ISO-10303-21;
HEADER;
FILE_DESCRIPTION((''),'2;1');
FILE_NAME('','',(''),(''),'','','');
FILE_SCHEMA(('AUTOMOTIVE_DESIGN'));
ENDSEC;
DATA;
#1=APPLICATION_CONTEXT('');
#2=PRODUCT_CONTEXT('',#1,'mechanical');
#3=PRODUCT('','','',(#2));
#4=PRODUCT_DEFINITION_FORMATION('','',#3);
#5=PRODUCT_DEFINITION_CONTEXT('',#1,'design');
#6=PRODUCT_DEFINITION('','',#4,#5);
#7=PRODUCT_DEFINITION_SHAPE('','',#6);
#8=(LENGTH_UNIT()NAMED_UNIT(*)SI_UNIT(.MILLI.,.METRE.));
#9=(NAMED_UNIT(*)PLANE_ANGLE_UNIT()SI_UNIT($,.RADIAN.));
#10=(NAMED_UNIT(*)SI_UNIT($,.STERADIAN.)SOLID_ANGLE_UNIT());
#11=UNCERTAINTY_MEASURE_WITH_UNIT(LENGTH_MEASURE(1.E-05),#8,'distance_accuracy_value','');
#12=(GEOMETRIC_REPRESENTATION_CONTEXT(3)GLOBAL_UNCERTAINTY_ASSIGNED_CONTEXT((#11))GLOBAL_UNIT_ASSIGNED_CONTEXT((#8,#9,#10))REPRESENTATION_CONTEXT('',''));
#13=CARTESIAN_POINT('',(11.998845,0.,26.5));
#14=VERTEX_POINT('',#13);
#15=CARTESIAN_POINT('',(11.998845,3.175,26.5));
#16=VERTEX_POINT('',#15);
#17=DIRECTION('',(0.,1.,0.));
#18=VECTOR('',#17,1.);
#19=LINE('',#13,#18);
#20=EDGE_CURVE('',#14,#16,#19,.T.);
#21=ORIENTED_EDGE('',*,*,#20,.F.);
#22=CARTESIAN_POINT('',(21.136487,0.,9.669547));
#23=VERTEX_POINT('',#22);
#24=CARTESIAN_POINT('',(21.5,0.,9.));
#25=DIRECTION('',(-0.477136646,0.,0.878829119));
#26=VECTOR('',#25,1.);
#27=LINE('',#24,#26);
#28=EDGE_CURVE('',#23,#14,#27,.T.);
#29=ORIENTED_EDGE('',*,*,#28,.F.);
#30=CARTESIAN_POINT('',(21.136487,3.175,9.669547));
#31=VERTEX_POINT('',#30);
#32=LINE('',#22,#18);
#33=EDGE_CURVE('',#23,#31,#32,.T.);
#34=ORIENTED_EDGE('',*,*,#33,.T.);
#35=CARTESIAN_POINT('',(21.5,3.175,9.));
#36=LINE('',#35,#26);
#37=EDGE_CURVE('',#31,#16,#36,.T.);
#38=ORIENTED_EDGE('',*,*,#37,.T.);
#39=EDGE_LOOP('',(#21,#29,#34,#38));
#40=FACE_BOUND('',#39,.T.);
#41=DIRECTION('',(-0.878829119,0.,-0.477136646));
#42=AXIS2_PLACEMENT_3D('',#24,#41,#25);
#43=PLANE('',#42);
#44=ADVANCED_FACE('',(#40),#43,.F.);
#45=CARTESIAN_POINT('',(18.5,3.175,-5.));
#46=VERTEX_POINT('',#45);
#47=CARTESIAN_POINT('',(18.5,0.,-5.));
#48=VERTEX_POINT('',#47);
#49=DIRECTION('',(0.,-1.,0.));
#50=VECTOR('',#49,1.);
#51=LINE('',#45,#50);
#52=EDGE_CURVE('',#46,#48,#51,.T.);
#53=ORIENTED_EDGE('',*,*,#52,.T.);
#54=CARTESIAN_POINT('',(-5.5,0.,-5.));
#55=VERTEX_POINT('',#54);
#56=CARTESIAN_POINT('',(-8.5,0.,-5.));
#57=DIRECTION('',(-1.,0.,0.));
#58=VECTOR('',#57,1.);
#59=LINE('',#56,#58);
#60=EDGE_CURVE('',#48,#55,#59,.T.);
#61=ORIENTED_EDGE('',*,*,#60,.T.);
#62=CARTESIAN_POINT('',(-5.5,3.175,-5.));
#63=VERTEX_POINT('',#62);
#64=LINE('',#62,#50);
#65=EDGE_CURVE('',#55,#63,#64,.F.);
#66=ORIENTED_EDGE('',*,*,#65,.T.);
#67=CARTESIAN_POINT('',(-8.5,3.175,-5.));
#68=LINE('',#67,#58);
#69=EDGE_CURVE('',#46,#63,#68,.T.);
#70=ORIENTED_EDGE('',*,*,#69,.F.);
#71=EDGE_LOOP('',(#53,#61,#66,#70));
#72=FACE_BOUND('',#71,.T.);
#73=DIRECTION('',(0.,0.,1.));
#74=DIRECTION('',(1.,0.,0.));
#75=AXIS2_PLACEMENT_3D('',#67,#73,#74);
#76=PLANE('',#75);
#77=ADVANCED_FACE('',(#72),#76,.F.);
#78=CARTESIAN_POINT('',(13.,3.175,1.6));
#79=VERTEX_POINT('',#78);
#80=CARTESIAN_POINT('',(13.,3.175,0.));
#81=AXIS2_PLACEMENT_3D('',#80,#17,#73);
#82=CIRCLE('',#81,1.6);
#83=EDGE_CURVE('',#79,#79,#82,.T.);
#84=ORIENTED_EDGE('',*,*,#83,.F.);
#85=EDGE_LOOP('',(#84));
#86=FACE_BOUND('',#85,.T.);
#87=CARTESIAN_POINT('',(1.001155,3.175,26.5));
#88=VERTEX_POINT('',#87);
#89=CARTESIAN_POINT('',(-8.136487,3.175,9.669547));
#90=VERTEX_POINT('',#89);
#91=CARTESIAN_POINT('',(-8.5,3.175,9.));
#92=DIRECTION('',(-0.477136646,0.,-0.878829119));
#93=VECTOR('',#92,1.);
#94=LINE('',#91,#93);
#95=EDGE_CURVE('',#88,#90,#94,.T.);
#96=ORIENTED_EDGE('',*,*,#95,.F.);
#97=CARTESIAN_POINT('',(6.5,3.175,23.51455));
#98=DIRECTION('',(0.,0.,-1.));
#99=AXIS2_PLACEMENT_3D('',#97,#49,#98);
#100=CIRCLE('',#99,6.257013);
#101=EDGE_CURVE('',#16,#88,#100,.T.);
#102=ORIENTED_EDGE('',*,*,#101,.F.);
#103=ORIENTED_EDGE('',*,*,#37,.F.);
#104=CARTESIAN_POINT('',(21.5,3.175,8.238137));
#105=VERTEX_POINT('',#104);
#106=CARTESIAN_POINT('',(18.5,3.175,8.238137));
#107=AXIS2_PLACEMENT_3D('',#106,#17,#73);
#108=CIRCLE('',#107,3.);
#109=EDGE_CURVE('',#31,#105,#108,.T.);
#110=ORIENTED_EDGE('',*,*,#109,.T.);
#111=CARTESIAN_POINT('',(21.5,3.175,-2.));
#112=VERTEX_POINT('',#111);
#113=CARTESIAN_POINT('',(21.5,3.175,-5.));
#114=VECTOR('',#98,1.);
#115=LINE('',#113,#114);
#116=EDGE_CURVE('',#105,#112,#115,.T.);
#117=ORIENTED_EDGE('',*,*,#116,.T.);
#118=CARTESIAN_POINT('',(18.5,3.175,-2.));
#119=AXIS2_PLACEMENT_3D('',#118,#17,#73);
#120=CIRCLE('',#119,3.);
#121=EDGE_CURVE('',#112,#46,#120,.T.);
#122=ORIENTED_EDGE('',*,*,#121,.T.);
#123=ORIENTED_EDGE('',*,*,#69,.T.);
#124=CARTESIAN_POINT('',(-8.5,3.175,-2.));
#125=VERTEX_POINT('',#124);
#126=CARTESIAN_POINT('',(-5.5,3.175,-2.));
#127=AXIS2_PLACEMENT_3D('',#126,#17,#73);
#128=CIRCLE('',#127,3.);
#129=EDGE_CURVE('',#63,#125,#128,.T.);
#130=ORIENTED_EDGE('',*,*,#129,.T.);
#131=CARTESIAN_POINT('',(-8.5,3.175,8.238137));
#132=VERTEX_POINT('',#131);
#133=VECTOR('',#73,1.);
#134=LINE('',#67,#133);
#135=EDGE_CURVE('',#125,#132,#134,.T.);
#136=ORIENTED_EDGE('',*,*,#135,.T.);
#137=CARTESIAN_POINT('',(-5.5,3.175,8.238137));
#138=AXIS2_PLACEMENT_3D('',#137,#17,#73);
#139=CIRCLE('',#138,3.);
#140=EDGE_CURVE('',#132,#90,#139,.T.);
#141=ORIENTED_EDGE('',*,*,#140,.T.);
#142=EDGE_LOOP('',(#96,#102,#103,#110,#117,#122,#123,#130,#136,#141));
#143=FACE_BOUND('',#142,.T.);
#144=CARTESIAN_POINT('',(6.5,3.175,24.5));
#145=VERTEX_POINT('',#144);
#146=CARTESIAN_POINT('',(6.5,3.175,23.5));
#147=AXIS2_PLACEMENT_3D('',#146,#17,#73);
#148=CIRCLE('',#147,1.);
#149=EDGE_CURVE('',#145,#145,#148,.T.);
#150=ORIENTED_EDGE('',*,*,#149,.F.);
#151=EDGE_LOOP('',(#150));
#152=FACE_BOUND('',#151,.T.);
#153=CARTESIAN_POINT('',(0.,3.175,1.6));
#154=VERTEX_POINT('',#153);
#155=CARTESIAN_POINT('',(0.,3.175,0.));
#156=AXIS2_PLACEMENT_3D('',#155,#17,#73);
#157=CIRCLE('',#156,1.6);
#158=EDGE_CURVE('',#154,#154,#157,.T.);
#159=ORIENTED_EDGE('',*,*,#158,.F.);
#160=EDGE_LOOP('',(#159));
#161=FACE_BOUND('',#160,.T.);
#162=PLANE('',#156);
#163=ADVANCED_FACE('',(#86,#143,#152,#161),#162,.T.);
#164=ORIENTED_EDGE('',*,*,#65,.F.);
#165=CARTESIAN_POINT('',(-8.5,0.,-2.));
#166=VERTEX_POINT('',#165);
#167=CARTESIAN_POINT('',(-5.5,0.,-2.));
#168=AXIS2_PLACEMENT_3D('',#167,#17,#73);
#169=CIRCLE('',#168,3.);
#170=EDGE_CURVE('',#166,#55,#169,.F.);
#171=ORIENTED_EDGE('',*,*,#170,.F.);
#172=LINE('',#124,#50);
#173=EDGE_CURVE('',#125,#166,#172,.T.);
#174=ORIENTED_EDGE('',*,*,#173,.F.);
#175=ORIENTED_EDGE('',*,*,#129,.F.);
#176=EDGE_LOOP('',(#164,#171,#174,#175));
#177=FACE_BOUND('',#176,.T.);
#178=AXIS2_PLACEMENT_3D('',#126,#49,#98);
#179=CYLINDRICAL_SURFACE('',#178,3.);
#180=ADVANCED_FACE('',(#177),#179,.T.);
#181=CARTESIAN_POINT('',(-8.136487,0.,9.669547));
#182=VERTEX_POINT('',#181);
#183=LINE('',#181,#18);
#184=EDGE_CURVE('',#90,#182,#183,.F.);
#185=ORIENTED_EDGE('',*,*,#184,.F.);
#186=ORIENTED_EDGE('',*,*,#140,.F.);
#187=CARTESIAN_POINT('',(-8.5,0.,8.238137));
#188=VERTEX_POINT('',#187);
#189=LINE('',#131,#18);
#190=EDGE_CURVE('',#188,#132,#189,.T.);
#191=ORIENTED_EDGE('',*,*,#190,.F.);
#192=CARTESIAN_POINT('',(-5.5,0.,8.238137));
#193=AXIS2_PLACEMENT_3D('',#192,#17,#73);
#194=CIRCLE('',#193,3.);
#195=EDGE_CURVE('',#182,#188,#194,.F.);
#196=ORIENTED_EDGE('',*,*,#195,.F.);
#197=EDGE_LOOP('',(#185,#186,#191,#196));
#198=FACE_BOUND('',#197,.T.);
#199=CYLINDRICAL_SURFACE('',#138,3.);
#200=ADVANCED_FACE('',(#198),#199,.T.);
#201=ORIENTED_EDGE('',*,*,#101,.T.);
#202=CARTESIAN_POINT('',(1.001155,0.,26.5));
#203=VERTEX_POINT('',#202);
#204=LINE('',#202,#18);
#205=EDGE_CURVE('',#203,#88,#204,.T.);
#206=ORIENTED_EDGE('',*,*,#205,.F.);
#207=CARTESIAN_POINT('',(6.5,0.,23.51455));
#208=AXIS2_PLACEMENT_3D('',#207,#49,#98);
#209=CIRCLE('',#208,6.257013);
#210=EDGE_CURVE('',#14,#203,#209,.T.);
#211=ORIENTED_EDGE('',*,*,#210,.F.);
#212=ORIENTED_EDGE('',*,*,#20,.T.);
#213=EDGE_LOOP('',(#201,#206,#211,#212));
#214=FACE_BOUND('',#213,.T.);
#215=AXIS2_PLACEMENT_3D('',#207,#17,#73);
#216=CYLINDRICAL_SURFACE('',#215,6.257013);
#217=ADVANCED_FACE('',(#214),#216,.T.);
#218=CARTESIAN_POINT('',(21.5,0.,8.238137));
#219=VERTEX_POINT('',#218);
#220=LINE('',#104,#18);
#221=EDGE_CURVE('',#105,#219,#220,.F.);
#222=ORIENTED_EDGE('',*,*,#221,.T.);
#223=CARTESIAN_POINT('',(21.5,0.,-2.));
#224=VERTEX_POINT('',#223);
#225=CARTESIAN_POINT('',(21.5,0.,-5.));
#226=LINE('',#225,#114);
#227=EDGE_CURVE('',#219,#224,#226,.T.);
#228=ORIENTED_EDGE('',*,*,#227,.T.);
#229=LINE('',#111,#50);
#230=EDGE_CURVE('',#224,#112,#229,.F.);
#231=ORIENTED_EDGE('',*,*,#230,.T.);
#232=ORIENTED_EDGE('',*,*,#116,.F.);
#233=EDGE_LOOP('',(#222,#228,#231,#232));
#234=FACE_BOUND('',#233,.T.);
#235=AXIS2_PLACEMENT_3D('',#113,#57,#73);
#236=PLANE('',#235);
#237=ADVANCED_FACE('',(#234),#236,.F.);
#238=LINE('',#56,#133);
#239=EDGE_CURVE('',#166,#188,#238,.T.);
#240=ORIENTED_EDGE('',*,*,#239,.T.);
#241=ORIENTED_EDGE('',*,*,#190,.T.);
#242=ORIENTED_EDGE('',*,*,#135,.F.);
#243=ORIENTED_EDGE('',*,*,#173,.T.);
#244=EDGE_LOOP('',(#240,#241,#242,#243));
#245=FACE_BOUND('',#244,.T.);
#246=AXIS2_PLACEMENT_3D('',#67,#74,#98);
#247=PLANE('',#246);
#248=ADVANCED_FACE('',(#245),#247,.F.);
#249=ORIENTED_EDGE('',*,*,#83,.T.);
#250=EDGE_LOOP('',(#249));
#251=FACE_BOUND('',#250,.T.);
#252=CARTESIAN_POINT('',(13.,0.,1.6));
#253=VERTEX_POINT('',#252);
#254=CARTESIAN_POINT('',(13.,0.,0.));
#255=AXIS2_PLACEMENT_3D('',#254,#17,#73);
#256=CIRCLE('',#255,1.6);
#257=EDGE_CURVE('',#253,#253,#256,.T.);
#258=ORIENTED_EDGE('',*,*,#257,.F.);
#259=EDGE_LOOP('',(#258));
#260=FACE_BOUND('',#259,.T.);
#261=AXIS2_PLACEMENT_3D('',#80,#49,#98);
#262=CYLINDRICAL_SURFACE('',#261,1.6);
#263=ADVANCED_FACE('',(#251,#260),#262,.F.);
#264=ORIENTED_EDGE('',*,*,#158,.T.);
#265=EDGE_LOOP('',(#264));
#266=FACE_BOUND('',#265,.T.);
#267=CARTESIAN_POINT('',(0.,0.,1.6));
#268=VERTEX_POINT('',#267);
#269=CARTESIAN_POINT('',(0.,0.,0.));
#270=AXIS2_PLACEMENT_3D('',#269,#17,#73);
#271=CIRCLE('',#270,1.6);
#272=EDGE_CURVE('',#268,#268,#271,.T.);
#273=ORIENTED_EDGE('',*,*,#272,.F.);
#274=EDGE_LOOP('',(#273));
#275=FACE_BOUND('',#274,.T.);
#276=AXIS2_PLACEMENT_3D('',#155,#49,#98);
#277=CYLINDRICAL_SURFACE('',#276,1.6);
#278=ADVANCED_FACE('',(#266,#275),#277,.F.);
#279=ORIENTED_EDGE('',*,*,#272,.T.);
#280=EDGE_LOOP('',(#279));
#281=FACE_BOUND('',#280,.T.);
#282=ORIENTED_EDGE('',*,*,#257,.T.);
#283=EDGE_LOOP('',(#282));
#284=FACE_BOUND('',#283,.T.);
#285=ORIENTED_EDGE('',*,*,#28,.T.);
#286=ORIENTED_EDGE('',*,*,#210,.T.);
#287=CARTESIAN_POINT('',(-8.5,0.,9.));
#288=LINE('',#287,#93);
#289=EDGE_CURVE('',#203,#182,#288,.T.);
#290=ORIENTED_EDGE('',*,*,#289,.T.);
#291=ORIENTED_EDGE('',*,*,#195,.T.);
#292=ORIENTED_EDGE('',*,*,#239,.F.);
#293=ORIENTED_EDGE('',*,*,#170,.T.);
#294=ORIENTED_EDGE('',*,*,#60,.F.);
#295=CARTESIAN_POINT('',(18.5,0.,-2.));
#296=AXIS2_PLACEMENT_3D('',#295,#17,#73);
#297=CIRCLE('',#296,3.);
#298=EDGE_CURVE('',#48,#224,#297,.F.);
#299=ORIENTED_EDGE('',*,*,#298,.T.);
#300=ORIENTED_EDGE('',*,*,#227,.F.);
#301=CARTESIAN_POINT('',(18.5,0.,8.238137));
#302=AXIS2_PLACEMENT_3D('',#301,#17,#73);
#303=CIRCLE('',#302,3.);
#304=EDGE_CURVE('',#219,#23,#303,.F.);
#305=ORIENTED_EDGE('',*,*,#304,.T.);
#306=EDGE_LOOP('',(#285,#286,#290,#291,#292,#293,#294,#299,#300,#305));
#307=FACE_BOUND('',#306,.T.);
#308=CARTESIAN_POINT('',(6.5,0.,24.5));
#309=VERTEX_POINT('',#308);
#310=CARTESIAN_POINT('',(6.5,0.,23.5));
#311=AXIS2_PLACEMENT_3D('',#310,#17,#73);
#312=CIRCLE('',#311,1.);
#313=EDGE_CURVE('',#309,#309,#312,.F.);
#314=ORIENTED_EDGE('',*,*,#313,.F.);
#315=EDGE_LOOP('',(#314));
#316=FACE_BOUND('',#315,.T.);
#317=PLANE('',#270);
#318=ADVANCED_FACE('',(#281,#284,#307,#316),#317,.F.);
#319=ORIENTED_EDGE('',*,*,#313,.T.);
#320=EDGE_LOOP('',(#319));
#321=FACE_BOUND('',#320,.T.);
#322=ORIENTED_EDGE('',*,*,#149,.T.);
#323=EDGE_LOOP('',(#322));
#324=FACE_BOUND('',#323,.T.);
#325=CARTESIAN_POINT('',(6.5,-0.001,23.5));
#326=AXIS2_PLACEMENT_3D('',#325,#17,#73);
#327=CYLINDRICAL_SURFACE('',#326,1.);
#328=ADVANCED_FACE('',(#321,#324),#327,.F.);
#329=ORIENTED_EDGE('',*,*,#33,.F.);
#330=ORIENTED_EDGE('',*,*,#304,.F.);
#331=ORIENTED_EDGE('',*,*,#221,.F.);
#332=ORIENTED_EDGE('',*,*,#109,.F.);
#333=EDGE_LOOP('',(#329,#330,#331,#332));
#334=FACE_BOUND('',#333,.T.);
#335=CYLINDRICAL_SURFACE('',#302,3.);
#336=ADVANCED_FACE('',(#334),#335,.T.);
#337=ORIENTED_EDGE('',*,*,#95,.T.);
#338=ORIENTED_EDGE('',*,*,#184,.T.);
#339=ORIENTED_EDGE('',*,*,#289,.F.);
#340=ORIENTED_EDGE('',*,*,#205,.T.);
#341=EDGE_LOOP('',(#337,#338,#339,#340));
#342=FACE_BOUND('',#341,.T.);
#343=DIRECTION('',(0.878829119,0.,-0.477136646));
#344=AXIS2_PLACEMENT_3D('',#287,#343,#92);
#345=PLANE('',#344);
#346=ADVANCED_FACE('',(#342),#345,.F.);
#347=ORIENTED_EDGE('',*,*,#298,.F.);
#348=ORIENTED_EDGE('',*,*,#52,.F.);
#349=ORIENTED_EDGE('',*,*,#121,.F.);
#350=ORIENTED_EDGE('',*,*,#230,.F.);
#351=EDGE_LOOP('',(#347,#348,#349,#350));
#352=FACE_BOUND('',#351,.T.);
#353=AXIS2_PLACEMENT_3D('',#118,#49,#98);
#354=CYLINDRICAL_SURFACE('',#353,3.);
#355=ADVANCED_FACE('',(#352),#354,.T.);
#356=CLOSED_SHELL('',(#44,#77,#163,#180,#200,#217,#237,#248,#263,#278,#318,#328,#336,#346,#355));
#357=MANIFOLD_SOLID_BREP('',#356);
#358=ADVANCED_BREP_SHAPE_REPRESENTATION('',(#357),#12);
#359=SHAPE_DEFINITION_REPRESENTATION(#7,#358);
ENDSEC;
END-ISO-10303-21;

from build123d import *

# Parameters (mm, degrees)
SKETCH1_W           = 30
SKETCH1_H           = 35
SKETCH1_R           = 1.6
BOSS_EXTRUDE1_DEPTH = 3.175
CUT_EXTRUDE1_REACH  = 5.175
SKETCH2_R           = 1
CUT_EXTRUDE2_DEPTH  = 4.175
FILLET1_R           = 3


with BuildPart() as part:
    # Sketch1 → Boss-Extrude1 (new body)
    with BuildSketch(Plane(origin=(0, 0, 0), x_dir=(1, 0, 0), z_dir=(0, 1, 0))):
        with Locations((6.5, -12.5)):
            Rectangle(SKETCH1_W, SKETCH1_H)
        Circle(SKETCH1_R, mode=Mode.SUBTRACT)
        with Locations((13, 0)):
            Circle(SKETCH1_R, mode=Mode.SUBTRACT)
    extrude(amount=BOSS_EXTRUDE1_DEPTH)

    # Sketch2 → Cut-Extrude1 (cut, up to next)
    with BuildSketch(Plane(origin=(0, 3.175, 0), x_dir=(1, 0, 0), z_dir=(0, 1, 0)), mode=Mode.PRIVATE) as cut_extrude1_sk1:
        with Locations((6.5, -23.5)):
            Circle(SKETCH2_R)
    cut_extrude1_tool1 = extrude(cut_extrude1_sk1.sketch, amount=-CUT_EXTRUDE1_REACH, mode=Mode.PRIVATE) & part.part
    add(cut_extrude1_tool1.solids().sort_by_distance((6.5, 3.175, 23.5))[0], mode=Mode.SUBTRACT)

    # Sketch3 → Cut-Extrude2 (cut, through all)
    with BuildSketch(Plane(origin=(0, 3.175, 0), x_dir=(1, 0, 0), z_dir=(0, 1, 0))):
        with BuildLine():
            Line((21.5, -9), (11.998845434, -26.5))
            ThreePointArc((11.998845434, -26.5), (6.5, -29.771562929), (1.001154566, -26.5))
            Line((1.001154566, -26.5), (-8.5, -9))
            Line((-8.5, -9), (-8.5, -30))
            Line((-8.5, -30), (21.5, -30))
            Line((21.5, -30), (21.5, -9))
        make_face()
    extrude(amount=-CUT_EXTRUDE2_DEPTH, mode=Mode.SUBTRACT)

    # Fillet1
    fillet1_edges = [part.edges().sort_by_distance(p)[0] for p in [
        (21.5, 1.5875, 9),
        (-8.5, 1.5875, 9),
        (-8.5, 1.5875, -5),
        (21.5, 1.5875, -5),
    ]]
    fillet(fillet1_edges, radius=FILLET1_R)


solid = part.part
